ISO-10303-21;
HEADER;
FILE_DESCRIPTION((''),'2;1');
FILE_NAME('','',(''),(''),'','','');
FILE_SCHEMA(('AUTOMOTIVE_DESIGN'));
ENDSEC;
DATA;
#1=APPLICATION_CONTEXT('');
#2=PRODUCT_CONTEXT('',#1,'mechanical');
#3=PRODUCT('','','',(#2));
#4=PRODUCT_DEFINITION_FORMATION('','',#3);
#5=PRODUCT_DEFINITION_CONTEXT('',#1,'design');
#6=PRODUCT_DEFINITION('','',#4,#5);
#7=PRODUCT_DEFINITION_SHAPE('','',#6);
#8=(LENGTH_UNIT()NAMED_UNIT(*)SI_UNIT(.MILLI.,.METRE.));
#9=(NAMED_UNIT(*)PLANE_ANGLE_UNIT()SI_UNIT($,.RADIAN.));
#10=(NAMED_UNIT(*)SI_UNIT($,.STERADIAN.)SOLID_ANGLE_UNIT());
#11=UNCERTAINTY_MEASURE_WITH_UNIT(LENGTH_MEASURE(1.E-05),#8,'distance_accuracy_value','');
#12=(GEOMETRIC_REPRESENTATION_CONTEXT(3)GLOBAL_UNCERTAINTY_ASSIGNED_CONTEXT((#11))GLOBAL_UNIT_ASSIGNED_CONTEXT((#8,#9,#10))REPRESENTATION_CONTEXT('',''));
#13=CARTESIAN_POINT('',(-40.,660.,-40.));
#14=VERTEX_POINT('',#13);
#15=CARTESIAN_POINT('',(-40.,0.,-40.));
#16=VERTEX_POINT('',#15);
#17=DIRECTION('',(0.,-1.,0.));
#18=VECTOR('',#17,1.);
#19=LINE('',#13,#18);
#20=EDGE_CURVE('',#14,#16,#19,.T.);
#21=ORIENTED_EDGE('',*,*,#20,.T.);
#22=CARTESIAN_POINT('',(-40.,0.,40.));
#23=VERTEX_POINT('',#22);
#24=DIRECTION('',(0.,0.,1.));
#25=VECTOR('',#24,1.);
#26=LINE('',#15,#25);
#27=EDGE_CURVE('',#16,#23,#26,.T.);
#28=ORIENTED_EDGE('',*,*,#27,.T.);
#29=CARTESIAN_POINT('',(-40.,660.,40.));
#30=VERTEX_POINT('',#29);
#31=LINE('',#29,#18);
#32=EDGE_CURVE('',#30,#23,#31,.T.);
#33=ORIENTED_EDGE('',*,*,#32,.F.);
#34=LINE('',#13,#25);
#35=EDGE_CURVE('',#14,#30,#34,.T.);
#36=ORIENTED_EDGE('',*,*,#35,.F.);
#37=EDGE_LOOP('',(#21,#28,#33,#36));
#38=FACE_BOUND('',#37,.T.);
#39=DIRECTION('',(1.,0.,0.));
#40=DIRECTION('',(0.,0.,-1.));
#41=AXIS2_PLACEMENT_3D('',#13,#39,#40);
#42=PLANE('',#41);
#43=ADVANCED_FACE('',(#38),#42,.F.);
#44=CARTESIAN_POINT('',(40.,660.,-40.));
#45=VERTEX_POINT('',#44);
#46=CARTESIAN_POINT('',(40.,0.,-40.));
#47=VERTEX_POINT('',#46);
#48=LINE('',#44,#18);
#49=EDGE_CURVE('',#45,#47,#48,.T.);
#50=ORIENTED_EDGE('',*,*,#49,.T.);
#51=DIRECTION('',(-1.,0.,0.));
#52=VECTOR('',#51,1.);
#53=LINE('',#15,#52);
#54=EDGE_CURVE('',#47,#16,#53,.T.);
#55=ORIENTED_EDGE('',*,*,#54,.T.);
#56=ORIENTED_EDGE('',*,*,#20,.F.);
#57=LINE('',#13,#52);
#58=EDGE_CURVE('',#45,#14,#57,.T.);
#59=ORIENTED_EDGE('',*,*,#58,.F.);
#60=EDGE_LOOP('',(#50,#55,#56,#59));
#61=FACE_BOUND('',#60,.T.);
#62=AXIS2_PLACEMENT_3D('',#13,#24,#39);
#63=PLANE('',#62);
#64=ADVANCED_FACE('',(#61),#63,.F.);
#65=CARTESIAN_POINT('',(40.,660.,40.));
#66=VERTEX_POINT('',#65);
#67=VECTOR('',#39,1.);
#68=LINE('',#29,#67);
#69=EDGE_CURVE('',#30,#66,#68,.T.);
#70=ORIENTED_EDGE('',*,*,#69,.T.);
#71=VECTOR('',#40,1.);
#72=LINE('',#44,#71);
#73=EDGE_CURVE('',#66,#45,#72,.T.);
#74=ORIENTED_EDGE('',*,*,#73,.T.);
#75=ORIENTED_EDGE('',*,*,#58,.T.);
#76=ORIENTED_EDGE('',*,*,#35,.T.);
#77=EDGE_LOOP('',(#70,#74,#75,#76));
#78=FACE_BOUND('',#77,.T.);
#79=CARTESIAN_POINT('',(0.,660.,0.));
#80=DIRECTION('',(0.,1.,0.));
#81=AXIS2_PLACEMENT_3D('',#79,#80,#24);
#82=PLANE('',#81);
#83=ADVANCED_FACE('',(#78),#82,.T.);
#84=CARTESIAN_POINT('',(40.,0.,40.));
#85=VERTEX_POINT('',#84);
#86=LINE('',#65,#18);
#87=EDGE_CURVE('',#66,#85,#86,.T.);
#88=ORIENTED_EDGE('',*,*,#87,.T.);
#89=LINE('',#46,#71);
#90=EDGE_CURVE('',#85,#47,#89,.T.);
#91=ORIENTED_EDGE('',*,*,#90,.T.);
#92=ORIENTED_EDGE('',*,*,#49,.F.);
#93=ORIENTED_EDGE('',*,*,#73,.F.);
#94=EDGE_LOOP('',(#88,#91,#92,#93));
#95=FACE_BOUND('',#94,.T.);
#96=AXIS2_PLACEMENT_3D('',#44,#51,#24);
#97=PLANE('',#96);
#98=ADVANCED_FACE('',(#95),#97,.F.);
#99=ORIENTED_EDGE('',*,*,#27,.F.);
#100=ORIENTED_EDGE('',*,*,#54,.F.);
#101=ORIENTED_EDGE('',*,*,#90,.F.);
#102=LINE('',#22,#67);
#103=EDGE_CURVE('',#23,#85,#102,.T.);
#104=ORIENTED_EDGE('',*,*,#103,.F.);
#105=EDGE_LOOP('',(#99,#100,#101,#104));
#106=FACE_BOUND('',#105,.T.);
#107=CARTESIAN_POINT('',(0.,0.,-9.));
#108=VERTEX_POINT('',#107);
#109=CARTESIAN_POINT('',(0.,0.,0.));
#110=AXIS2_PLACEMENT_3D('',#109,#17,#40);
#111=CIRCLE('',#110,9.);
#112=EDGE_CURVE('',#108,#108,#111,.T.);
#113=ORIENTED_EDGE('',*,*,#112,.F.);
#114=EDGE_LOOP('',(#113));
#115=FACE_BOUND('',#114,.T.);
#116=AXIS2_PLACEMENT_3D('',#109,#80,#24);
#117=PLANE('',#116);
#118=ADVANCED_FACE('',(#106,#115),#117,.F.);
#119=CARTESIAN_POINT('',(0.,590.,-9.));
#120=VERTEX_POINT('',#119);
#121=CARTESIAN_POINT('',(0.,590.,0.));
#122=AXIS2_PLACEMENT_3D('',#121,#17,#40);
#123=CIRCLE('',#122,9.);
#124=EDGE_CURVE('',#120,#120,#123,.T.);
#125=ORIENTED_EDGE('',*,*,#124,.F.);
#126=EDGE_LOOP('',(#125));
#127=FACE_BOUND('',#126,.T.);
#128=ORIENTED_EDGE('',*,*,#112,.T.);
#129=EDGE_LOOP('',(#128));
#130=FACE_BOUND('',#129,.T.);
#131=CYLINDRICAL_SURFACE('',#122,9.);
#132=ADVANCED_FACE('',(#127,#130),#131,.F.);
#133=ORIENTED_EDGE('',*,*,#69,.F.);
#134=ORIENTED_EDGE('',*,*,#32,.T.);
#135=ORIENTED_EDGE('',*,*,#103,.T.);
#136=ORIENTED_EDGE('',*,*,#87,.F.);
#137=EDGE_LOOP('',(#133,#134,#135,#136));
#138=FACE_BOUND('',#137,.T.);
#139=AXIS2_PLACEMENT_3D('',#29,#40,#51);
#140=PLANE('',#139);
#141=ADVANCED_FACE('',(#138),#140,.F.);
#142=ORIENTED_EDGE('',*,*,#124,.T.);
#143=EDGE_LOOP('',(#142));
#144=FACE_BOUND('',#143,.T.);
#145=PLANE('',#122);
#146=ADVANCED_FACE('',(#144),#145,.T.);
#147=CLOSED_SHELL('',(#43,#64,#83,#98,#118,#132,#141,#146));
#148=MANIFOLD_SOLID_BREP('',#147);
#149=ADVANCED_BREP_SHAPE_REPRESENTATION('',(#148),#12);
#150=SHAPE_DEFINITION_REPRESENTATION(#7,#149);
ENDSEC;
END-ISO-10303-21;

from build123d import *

# Parameters (mm, degrees)
SKETCH1_W           = 80
SKETCH1_H           = 80
BOSS_EXTRUDE1_DEPTH = 660
SKETCH2_R           = 9
CUT_EXTRUDE1_DEPTH  = 590


with BuildPart() as part:
    # Sketch1 → Boss-Extrude1 (new body)
    with BuildSketch(Plane(origin=(0, 0, 0), x_dir=(1, 0, 0), z_dir=(0, 1, 0))):
        Rectangle(SKETCH1_W, SKETCH1_H)
    extrude(amount=BOSS_EXTRUDE1_DEPTH)

    # Sketch2 → Cut-Extrude1 (cut)
    with BuildSketch(Plane.XZ):
        with Locations(Location((0, 0, 0), (0, 0, 270))):
            Circle(SKETCH2_R)
    extrude(amount=-CUT_EXTRUDE1_DEPTH, mode=Mode.SUBTRACT)


solid = part.part
